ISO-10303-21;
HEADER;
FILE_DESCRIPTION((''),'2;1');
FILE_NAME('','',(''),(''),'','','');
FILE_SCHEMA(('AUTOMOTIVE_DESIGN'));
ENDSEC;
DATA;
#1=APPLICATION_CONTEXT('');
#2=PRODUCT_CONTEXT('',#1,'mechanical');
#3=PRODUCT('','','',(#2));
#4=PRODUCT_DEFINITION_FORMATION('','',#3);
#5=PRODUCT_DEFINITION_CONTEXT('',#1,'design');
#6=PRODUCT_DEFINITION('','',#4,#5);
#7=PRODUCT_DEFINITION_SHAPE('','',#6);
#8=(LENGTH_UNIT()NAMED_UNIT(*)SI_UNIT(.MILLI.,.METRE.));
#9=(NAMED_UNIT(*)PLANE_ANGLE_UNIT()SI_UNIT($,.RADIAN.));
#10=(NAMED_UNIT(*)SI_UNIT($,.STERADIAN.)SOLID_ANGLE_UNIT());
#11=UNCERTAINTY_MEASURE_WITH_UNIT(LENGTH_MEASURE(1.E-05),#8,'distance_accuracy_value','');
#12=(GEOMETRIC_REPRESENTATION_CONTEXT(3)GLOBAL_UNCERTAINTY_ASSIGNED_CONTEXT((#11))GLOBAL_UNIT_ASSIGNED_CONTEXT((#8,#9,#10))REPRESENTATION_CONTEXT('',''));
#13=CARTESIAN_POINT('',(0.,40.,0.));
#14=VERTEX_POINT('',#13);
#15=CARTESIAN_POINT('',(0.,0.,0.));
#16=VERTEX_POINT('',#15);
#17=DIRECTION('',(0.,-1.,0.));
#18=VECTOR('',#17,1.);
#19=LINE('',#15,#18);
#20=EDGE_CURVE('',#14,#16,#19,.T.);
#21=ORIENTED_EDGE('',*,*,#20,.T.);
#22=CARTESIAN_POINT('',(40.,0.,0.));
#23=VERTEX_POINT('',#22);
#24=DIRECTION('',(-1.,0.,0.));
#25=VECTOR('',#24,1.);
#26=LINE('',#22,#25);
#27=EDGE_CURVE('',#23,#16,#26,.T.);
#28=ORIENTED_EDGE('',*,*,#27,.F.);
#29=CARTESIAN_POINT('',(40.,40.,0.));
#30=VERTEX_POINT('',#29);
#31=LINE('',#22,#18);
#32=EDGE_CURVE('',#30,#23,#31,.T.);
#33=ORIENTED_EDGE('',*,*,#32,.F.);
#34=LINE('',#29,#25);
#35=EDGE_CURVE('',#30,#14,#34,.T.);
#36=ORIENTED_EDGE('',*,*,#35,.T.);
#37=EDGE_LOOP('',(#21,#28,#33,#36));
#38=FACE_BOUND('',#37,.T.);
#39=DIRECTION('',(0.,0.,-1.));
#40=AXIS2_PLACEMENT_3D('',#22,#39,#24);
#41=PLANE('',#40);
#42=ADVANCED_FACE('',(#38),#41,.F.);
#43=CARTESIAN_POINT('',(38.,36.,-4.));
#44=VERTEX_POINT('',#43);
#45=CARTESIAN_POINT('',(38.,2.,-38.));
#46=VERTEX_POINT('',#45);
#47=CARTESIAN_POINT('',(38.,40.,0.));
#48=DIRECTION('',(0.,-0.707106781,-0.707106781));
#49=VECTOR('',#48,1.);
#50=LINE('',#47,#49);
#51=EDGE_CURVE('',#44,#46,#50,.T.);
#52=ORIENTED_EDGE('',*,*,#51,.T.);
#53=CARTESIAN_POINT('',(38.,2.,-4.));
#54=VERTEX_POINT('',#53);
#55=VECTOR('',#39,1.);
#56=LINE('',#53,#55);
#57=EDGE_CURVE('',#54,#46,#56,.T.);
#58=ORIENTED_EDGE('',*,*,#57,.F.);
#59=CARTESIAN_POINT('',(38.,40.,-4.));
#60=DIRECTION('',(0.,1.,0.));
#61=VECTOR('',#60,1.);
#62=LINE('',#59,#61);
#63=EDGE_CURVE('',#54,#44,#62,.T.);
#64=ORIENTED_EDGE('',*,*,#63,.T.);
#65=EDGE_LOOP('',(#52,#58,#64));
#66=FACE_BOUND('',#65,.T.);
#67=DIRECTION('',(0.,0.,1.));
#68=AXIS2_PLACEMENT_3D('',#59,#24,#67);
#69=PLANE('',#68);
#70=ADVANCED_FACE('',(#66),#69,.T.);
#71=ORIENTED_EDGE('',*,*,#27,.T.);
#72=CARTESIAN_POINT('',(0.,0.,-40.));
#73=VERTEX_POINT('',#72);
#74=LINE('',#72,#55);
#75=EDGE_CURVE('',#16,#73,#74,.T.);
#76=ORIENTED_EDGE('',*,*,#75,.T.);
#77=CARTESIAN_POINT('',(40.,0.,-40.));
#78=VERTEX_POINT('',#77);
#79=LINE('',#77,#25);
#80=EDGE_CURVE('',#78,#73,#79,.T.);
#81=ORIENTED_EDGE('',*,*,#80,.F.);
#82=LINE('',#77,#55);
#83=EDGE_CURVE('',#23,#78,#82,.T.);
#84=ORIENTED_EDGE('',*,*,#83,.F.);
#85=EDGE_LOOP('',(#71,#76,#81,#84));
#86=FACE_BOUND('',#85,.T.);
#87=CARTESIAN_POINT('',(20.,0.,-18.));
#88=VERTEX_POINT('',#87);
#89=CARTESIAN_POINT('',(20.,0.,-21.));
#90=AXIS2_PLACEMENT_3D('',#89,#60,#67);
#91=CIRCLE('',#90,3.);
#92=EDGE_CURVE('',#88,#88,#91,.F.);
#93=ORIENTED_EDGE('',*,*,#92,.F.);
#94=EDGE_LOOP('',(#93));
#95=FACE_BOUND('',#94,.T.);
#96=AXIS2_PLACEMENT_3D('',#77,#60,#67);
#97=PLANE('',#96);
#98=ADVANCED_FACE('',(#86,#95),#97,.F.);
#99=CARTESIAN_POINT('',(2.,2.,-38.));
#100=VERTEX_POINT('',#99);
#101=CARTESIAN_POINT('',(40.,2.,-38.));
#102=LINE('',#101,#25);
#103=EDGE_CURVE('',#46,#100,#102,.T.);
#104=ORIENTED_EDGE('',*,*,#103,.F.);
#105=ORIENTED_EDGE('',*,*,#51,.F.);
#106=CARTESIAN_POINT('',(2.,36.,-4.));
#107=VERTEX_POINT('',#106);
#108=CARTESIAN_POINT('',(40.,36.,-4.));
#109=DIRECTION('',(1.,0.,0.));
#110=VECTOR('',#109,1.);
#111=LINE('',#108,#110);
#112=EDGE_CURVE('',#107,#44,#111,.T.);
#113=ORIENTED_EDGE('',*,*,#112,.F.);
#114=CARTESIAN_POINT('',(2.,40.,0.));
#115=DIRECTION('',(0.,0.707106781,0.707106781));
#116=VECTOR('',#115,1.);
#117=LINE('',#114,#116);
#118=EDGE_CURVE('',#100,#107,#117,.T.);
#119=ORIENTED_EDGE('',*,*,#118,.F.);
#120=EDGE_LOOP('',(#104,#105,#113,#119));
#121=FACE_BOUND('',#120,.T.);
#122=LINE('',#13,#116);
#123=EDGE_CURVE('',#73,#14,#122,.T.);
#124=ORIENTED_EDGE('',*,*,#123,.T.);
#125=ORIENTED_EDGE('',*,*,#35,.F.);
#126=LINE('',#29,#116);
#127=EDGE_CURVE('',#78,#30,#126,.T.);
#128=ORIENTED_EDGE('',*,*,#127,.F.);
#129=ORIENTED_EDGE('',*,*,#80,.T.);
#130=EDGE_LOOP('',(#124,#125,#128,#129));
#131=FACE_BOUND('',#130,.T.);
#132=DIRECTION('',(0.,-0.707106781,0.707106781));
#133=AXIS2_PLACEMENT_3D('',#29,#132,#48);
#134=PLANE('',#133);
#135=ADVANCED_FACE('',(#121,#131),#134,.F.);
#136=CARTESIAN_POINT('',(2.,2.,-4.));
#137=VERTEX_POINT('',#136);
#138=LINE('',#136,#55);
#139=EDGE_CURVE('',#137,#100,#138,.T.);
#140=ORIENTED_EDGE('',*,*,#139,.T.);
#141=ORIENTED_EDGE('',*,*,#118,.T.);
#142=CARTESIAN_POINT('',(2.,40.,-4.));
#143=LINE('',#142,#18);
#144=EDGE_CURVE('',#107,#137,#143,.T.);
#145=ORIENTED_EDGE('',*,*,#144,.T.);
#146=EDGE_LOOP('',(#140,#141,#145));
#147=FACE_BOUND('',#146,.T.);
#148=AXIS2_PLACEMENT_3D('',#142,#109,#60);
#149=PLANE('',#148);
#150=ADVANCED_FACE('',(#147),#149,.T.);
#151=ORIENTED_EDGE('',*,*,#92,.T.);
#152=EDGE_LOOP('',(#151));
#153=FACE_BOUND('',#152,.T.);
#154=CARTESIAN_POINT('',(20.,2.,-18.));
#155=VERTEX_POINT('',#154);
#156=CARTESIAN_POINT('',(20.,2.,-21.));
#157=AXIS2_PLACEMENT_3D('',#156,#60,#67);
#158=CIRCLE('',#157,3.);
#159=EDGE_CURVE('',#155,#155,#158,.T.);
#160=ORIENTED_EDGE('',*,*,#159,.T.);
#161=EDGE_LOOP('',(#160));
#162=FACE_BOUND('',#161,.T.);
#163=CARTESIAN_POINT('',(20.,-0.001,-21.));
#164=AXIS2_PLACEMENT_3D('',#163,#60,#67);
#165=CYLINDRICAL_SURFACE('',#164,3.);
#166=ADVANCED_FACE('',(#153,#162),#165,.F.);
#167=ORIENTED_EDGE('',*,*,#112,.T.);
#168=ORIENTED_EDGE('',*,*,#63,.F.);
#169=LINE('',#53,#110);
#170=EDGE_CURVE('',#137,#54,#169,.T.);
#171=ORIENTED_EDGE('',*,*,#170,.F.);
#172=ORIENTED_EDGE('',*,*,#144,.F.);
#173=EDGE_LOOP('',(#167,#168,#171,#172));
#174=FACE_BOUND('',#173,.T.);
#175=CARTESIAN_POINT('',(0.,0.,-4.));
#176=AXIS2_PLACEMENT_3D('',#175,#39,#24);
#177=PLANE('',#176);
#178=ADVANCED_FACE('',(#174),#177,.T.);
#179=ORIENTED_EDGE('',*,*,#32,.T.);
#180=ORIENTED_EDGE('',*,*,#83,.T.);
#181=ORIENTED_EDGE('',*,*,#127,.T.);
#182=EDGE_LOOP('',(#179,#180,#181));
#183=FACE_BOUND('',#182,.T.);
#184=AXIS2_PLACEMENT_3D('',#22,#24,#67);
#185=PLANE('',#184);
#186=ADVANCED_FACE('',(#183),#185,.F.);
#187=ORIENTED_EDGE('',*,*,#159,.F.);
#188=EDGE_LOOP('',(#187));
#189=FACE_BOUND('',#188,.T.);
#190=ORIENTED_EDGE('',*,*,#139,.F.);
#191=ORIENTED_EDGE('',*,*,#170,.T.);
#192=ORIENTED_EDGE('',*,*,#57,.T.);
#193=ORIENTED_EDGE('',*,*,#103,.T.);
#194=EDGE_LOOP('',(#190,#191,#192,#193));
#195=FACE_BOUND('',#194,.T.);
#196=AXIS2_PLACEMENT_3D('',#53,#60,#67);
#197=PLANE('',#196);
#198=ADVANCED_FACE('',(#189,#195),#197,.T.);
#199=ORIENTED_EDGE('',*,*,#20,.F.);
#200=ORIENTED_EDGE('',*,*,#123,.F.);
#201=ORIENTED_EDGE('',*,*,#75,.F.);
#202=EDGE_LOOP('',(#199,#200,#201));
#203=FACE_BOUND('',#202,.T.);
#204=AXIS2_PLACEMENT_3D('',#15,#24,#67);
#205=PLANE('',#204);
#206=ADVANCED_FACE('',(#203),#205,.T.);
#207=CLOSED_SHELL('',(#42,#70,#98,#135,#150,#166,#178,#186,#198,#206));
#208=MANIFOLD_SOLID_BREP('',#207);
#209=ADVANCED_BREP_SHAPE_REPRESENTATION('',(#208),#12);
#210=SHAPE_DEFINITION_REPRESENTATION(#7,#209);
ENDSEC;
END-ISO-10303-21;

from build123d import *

# Parameters (mm, degrees)
BOSS_EXTRUDE1_DEPTH = 40
SKETCH3_W           = 36
SKETCH3_H           = 38
CUT_EXTRUDE1_DEPTH  = 36
CUT_EXTRUDE2_REACH  = 70.147
SKETCH4_R           = 3


with BuildPart() as part:
    # Sketch1 → Boss-Extrude1 (new body)
    with BuildSketch(Plane(origin=(0, 0, 0), x_dir=(0, 0, -1), z_dir=(1, 0, 0))):
        Polygon((0, 0), (0, 40), (40, 0), align=None)
    extrude(amount=BOSS_EXTRUDE1_DEPTH)

    # Sketch3 → Cut-Extrude1 (cut)
    with BuildSketch(Plane.XY.offset(-40)):
        with Locations((20, 21)):
            Rectangle(SKETCH3_W, SKETCH3_H)
    extrude(amount=CUT_EXTRUDE1_DEPTH, mode=Mode.SUBTRACT)

    # Sketch4 → Cut-Extrude2 (cut, up to next)
    with BuildSketch(Plane(origin=(0, 2, 0), x_dir=(1, 0, 0), z_dir=(0, 1, 0)), mode=Mode.PRIVATE) as cut_extrude2_sk1:
        with Locations(Location((20, 21, 0), (0, 0, 270))):
            Circle(SKETCH4_R)
    cut_extrude2_tool1 = extrude(cut_extrude2_sk1.sketch, amount=-CUT_EXTRUDE2_REACH, mode=Mode.PRIVATE) & part.part
    add(cut_extrude2_tool1.solids().sort_by_distance((20, 2, -21))[0], mode=Mode.SUBTRACT)


solid = part.part
